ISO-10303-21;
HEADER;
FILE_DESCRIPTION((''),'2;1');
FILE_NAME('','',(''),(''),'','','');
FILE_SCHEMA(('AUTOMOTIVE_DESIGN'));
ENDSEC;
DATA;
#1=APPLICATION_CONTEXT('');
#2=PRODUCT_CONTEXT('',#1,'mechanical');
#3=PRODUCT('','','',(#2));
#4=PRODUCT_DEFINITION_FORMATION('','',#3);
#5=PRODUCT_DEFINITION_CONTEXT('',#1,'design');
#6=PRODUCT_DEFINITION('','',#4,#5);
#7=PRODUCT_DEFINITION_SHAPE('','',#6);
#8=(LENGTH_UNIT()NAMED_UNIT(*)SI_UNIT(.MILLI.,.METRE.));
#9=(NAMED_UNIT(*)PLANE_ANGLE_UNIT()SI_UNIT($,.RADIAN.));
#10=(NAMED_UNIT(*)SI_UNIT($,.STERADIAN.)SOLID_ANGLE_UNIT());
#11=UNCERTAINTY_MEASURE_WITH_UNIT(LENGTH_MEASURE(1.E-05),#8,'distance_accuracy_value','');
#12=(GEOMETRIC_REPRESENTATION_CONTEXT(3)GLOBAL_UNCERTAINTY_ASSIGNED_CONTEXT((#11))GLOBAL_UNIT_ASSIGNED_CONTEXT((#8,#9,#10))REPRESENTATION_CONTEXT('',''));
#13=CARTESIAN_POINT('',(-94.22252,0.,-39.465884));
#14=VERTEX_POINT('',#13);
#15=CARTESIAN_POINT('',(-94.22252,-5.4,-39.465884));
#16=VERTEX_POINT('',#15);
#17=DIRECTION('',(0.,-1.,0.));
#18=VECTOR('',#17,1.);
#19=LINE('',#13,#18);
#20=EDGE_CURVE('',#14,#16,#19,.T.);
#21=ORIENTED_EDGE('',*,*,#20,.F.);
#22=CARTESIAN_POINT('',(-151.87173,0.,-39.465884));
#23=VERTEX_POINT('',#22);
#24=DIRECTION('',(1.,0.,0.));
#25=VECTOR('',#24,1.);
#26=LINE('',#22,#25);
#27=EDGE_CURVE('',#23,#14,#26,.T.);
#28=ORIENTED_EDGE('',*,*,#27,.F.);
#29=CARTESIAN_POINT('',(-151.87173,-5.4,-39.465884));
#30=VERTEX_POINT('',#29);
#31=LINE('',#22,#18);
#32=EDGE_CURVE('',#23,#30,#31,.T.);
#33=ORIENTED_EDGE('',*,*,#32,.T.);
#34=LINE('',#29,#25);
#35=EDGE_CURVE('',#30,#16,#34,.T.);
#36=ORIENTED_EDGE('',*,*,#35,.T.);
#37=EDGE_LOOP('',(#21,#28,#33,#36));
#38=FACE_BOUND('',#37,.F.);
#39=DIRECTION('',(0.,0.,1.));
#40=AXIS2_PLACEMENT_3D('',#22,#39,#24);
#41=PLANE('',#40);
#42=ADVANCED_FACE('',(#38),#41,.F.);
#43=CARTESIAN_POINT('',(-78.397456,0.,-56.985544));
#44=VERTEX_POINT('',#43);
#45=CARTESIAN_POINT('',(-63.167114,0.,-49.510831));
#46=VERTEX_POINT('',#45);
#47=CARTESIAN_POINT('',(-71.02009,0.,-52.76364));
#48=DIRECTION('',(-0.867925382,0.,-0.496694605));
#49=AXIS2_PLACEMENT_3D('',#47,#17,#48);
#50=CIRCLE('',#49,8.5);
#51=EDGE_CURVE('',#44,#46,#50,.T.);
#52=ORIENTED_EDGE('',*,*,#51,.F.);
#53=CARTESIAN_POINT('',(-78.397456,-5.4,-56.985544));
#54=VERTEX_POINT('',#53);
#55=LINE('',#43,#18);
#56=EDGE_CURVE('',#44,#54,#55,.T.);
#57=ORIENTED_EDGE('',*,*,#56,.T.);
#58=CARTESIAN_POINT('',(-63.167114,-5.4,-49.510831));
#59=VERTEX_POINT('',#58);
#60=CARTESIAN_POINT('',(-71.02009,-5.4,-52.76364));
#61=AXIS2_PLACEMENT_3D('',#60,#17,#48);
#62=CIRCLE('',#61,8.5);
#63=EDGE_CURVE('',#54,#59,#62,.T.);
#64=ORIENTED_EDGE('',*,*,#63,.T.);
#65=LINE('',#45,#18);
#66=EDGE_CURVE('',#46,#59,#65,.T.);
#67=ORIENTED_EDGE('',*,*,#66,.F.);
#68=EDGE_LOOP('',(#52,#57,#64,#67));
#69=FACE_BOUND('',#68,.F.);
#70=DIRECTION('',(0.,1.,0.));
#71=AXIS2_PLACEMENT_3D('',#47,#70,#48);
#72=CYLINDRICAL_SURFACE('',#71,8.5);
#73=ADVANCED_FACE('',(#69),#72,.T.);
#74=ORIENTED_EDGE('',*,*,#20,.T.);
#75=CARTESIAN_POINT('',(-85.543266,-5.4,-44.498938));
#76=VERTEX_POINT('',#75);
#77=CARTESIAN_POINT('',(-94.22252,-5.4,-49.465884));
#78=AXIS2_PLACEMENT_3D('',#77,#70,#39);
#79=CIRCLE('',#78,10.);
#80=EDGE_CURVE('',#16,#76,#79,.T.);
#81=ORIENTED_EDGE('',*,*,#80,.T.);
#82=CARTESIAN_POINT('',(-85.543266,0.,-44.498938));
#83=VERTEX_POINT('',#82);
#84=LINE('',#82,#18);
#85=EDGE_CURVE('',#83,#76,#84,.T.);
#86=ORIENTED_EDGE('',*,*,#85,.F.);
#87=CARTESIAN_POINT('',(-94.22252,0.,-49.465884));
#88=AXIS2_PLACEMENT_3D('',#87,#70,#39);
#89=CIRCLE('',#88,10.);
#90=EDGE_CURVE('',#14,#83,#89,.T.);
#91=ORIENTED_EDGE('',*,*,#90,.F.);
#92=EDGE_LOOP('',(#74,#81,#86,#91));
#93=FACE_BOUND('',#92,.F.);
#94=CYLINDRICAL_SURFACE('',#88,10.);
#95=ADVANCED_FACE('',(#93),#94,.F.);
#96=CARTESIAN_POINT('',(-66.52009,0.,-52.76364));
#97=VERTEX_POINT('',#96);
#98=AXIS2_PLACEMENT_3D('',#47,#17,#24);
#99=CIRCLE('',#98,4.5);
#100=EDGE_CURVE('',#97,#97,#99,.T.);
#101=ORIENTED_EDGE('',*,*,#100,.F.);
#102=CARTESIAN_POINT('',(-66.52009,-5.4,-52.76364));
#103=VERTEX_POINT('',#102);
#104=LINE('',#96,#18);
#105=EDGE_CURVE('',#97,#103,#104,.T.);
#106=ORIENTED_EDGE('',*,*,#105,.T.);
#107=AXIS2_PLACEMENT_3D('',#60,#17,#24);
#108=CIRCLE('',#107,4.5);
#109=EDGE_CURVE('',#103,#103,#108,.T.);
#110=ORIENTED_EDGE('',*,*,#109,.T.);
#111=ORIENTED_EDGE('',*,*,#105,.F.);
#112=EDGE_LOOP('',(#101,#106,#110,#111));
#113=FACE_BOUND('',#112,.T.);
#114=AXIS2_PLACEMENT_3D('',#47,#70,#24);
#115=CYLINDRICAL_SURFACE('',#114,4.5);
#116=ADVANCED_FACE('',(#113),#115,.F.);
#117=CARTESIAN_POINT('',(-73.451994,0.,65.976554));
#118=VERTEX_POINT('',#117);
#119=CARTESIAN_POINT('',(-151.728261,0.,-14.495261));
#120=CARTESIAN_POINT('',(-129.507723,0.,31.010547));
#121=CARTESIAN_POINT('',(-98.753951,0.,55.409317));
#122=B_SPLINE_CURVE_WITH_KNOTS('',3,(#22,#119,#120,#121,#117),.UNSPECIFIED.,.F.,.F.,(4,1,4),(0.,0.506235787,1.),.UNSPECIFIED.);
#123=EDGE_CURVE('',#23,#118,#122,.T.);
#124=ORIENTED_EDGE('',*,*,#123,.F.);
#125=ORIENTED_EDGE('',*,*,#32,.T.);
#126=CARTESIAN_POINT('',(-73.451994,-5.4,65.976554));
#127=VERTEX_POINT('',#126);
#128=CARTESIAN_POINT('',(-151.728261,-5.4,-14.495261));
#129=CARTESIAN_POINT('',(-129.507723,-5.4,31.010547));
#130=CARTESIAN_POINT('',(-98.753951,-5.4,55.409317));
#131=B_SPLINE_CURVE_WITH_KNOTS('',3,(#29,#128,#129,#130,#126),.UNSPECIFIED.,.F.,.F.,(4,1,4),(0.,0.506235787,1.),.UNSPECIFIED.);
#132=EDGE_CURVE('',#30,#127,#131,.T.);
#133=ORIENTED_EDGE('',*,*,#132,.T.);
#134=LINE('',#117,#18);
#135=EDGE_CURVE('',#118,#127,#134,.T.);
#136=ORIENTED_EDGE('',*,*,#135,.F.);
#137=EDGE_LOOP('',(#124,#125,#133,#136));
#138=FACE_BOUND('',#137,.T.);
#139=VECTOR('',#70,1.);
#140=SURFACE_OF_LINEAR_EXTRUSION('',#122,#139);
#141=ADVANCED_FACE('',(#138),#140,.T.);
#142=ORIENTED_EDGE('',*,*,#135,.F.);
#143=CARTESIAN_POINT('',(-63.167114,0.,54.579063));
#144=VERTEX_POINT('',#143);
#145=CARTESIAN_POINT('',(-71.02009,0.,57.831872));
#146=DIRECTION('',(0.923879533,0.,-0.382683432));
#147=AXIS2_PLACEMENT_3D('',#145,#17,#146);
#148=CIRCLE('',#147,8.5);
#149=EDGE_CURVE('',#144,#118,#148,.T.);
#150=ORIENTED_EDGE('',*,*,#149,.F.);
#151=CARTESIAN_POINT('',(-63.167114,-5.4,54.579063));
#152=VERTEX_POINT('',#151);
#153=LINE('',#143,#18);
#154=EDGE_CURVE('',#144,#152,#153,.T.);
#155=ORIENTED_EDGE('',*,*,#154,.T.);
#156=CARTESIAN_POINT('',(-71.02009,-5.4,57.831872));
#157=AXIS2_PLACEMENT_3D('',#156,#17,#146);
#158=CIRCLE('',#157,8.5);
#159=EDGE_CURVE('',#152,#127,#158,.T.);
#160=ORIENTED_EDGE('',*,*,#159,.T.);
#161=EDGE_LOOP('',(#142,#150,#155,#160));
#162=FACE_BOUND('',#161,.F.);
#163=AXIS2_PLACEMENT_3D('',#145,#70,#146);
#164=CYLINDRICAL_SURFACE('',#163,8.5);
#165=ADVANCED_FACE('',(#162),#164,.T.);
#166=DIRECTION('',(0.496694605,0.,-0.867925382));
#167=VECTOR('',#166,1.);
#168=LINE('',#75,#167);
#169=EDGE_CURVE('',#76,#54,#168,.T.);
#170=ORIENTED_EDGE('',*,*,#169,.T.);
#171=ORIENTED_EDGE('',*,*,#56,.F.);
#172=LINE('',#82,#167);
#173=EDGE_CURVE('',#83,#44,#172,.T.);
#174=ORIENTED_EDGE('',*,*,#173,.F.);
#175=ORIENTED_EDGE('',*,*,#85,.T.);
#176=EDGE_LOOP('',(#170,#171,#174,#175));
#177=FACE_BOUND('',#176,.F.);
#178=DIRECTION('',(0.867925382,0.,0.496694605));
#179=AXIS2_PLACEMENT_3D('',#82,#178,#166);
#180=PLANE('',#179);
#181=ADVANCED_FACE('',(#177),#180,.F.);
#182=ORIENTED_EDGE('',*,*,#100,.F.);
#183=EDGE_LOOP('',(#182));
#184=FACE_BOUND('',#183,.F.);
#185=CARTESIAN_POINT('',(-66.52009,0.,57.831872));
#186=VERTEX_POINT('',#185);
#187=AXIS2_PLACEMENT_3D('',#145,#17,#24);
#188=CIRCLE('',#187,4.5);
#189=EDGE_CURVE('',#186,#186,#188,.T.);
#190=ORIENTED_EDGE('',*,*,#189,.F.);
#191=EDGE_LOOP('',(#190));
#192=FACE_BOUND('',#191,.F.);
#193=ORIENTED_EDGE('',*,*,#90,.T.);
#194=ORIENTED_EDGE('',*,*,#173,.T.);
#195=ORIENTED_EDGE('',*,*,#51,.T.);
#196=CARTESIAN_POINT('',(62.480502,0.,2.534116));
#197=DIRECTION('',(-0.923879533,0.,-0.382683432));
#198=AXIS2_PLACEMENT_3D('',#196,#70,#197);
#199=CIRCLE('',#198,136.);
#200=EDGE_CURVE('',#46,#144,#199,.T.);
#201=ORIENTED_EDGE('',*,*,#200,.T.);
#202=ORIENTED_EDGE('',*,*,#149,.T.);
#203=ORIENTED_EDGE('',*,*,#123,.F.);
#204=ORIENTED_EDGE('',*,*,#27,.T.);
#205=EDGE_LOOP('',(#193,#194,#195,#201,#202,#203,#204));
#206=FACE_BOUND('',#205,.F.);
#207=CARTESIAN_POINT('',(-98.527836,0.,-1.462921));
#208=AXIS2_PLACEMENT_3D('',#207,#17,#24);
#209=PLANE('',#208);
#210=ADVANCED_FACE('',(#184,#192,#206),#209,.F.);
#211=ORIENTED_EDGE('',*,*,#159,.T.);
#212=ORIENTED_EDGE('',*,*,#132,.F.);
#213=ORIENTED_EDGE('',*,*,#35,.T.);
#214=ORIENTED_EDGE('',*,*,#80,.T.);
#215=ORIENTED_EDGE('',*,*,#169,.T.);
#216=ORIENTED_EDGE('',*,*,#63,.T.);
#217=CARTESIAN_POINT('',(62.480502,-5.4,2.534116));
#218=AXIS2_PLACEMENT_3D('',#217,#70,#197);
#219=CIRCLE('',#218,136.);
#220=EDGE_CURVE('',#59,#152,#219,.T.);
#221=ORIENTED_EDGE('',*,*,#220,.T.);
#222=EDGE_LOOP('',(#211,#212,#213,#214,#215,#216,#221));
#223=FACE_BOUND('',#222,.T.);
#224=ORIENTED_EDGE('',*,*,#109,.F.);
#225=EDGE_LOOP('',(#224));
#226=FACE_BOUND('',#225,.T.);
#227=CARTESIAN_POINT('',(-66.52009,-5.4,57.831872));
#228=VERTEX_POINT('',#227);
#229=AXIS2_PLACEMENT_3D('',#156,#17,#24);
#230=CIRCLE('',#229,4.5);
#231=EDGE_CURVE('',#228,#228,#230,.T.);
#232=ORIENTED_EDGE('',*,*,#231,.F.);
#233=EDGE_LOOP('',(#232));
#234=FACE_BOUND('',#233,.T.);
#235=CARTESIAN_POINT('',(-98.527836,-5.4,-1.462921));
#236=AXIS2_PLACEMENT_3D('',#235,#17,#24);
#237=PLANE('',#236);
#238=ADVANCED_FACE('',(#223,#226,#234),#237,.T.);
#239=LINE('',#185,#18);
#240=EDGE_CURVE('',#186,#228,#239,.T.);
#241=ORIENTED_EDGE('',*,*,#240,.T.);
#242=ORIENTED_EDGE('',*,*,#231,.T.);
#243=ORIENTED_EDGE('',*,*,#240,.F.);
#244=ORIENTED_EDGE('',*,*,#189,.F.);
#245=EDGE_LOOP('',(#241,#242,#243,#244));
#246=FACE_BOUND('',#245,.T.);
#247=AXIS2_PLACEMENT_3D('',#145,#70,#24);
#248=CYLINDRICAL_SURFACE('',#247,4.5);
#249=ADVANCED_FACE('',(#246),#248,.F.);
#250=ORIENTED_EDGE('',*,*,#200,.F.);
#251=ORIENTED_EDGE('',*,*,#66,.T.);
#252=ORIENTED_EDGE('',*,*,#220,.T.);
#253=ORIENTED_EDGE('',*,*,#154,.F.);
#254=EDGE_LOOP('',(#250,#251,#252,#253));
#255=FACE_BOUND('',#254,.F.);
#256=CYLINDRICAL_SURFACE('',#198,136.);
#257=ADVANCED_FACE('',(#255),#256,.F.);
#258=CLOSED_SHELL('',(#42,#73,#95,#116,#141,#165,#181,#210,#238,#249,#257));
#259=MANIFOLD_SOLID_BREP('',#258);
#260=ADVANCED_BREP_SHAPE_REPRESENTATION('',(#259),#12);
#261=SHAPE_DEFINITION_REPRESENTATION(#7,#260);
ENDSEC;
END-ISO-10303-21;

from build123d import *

# Parameters (mm, degrees)
F0_R     = 4.5
F1_DEPTH = 5.4


with BuildPart() as f1:
    # F0 (on Front) → F1 (new body)
    with BuildSketch(Plane.XZ):
        with BuildLine():
            ThreePointArc((-78.3974559658, -56.9855438516), (-67.2751755198, -60.3942107186), (-63.167114189, -49.5108305345))
            ThreePointArc((-63.167114189, -49.5108305345), (-73.5194977675, 2.5341162671), (-63.167114189, 54.5790630688))
            ThreePointArc((-63.167114189, 54.5790630688), (-64.7095667842, 63.5263690632), (-73.4519942367, 65.976554118))
            add(Edge.make_bspline(
                [(-151.8717300636, -39.4658837329), (-151.7282611262, -14.4952609585), (-129.5077227217, 31.0105469023), (-98.7539507033, 55.4093173276), (-73.4519942367, 65.976554118)],
                knots=[0, 0, 0, 0, 0.5062357866, 1, 1, 1, 1], degree=3))
            Line((-151.8717300636, -39.4658837329), (-94.2225198369, -39.4658837329))
            ThreePointArc((-94.2225198369, -39.4658837329), (-89.2060200858, -40.8151768111), (-85.5432660129, -44.4989376835))
            Line((-85.5432660129, -44.4989376835), (-78.3974559658, -56.9855438516))
        make_face()
        with Locations((-71.0200902154, -52.7636397096)):
            Circle(F0_R, mode=Mode.SUBTRACT)
        with Locations((-71.0200902154, 57.8318722439)):
            Circle(F0_R, mode=Mode.SUBTRACT)
    extrude(amount=F1_DEPTH)


solid = f1.part
